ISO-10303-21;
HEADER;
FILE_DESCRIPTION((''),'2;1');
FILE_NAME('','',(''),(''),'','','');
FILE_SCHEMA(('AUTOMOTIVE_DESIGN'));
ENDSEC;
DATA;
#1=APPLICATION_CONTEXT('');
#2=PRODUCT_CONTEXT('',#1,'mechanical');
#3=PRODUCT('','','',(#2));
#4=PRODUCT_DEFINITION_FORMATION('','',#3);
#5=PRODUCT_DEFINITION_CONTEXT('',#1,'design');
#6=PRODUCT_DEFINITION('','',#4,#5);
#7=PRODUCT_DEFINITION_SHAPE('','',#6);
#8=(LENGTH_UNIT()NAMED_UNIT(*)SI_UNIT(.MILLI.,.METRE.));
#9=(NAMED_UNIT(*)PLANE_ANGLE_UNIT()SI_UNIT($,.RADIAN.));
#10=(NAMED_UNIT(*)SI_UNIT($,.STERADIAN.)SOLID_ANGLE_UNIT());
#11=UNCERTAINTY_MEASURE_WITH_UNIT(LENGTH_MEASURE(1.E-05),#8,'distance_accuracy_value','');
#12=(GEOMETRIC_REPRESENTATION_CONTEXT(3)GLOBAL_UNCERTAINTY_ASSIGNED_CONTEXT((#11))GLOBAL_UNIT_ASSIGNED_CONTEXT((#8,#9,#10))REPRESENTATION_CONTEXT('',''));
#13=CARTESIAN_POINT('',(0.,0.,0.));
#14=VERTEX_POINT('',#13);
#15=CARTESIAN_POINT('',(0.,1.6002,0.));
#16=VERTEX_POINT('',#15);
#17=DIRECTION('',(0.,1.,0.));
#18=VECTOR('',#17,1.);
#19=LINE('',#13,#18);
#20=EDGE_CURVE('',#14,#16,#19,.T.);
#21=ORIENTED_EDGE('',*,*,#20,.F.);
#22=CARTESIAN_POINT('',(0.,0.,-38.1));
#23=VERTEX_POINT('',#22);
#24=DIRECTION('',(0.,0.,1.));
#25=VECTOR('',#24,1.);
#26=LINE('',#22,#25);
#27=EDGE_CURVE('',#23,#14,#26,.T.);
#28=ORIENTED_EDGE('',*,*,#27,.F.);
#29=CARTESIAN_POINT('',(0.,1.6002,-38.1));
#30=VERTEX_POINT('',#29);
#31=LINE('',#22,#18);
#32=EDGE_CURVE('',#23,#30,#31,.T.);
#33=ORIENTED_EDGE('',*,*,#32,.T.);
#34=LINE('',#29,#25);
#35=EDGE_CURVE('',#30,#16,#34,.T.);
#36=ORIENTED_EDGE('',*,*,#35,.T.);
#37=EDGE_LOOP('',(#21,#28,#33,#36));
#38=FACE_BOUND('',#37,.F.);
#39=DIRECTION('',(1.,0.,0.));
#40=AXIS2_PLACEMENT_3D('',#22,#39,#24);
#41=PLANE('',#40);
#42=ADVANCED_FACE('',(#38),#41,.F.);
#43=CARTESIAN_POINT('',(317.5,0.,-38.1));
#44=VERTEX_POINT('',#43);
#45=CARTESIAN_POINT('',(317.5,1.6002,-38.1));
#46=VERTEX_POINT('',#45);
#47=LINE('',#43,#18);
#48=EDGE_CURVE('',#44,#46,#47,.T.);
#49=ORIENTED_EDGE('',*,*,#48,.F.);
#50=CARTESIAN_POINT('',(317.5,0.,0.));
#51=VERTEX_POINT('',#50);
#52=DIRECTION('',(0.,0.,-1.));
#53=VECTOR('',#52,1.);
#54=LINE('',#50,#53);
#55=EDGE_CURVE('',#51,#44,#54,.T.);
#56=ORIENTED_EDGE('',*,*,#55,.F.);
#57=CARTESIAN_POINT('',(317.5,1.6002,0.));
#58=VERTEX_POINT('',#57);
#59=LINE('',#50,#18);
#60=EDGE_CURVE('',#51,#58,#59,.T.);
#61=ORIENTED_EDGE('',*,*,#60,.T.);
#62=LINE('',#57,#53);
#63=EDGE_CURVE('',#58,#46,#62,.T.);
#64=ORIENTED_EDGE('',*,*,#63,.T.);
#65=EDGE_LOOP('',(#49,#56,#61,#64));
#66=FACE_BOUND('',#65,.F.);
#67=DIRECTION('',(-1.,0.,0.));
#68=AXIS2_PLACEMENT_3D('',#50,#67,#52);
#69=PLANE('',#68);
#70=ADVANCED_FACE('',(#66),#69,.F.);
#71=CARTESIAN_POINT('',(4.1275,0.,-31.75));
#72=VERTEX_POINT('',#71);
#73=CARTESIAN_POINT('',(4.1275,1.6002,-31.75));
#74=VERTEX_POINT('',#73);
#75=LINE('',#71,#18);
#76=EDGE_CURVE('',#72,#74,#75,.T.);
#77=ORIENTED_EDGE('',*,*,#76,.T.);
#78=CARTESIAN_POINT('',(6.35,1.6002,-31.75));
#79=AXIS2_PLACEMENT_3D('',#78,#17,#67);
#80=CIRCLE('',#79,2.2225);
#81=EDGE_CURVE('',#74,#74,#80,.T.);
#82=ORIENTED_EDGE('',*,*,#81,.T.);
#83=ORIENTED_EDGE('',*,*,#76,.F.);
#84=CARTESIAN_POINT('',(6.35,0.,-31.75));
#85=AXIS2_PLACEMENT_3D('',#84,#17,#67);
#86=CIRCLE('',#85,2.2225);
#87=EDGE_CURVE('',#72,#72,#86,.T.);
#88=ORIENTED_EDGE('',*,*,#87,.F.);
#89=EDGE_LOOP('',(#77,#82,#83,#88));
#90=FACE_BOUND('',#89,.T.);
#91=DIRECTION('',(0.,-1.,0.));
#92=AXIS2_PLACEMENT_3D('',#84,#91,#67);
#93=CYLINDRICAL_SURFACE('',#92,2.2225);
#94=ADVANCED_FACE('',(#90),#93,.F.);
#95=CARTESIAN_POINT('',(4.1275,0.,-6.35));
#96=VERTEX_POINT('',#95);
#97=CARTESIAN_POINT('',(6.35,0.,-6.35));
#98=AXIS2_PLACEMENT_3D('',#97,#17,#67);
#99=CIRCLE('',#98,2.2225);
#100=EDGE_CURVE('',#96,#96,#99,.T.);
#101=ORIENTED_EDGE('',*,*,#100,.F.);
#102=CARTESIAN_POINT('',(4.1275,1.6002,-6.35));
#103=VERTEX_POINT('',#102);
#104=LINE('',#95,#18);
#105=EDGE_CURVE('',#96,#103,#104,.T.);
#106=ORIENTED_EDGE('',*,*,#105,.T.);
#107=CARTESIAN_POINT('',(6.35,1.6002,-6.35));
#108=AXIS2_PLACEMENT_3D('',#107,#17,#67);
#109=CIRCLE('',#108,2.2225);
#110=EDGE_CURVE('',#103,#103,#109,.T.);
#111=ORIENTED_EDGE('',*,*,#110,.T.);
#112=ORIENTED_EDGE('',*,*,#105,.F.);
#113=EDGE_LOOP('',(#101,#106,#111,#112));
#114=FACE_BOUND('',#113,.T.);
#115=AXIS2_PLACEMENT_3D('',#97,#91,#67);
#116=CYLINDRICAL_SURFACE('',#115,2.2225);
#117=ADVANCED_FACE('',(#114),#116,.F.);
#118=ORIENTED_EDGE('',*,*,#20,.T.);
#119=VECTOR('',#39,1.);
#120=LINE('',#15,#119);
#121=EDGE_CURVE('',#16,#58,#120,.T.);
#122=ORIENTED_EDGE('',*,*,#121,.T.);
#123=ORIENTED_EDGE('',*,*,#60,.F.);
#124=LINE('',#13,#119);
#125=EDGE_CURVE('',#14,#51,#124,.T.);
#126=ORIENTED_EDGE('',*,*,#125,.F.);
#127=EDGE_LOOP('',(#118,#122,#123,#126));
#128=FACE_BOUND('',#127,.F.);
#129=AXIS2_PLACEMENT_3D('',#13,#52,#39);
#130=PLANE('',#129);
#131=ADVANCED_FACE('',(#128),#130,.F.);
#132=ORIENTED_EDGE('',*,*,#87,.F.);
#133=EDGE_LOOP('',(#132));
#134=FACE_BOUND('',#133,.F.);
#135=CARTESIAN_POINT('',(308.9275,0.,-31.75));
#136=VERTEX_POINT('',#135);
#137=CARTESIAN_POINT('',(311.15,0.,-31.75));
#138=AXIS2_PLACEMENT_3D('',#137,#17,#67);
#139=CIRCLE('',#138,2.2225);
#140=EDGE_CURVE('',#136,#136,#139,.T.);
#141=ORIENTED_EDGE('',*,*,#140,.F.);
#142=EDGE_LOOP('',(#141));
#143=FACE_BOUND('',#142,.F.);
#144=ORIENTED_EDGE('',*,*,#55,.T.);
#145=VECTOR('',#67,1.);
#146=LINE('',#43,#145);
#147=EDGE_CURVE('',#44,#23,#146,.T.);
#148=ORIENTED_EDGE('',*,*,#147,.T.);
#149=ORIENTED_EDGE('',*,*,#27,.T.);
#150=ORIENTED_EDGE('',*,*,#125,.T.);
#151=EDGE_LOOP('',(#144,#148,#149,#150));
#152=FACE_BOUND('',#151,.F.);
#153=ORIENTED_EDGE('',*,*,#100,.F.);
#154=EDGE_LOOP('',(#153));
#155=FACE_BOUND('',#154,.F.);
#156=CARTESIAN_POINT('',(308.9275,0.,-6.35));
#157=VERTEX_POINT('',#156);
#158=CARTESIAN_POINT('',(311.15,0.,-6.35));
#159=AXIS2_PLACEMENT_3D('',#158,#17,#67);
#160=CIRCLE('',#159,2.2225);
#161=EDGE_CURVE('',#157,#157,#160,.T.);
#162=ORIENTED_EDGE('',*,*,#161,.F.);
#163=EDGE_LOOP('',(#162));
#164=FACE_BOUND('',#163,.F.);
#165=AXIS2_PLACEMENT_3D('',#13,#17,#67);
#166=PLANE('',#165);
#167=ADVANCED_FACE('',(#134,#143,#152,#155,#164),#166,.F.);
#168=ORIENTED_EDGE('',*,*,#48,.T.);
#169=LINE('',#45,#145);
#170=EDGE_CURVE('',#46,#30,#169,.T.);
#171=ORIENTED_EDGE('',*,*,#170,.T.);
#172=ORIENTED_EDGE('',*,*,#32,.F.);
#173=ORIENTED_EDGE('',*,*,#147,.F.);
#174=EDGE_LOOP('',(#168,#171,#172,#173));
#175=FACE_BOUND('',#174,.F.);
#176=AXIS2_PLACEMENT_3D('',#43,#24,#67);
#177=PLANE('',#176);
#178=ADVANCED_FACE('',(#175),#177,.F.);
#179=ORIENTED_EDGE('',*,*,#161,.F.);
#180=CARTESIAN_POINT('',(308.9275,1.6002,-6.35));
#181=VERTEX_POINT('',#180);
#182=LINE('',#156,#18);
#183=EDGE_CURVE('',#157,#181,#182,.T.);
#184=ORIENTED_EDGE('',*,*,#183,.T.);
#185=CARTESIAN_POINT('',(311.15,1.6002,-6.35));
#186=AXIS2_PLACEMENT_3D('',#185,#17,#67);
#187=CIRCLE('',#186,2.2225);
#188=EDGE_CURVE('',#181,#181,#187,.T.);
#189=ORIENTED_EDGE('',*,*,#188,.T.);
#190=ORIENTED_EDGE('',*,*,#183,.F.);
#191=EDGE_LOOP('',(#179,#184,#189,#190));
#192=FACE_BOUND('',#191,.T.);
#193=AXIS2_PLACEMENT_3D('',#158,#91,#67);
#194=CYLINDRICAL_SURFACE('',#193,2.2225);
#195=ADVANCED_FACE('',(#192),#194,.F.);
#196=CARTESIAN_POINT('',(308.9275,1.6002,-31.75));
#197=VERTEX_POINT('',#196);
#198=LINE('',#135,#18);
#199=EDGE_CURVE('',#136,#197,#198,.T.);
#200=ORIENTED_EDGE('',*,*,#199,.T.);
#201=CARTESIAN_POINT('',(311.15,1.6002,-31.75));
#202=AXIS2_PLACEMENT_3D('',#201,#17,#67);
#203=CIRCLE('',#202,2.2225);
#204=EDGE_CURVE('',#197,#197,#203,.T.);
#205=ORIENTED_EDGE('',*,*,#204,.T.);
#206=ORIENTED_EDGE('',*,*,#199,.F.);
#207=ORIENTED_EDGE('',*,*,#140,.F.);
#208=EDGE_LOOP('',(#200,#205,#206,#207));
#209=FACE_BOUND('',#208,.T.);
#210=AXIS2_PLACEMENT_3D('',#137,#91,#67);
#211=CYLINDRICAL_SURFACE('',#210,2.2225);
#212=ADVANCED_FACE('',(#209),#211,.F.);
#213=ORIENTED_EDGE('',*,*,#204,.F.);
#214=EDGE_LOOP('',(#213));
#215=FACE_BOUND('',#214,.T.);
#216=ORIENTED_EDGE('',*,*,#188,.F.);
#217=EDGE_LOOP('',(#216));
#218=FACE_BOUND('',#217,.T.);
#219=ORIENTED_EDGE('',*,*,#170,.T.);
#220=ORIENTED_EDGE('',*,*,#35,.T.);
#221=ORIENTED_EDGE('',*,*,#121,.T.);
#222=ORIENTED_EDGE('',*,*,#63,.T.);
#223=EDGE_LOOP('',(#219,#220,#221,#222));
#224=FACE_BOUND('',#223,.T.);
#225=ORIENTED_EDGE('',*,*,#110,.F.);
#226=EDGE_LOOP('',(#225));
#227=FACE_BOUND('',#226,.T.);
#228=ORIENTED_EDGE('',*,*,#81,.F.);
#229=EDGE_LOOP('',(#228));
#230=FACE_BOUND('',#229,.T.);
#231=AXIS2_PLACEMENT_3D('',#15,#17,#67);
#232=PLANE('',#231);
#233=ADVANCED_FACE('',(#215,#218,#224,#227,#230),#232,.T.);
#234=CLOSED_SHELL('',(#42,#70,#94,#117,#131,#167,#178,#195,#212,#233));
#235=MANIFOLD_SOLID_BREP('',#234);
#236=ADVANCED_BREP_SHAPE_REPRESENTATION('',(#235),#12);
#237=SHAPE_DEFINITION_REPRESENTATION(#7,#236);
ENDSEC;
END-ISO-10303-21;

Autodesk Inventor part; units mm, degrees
ref_plane "YZ Plane" through (0, 0, 0) normal (1, 0, 0) x (0, 1, 0)
ref_plane "XZ Plane" through (0, 0, 0) normal (0, 1, 0) x (-1, 0, 0)
ref_plane "XY Plane" through (0, 0, 0) normal (0, 0, 1) x (1, 0, 0)
sketch "Sketch1" plane through (0, 0, 0) normal (0, 1, 0) x (-1, 0, 0)
  line L0 (0, 0) -> (-317.5, 0)
  line L1 (-317.5, 0) -> (-317.5, -38.1)
  line L2 (-317.5, -38.1) -> (0, -38.1)
  line L3 (0, -38.1) -> (0, 0)
  circle A0 centre (-6.35, -6.35) radius 2.2225
  circle A1 centre (-6.35, -31.75) radius 2.2225
  circle A2 centre (-311.15, -6.35) radius 2.2225
  circle A3 centre (-311.15, -31.75) radius 2.2225
  dimension "d0" = 317.5
  dimension "d1" = 38.1
  dimension "d2" = 4.445
  dimension "d3" = 4.445
  dimension "d4" = 4.445
  dimension "d5" = 4.445
extrude "Extrusion1" add sketch "Sketch1" along normal blind 1.6002
properties part number "conveyorv2_siding"
